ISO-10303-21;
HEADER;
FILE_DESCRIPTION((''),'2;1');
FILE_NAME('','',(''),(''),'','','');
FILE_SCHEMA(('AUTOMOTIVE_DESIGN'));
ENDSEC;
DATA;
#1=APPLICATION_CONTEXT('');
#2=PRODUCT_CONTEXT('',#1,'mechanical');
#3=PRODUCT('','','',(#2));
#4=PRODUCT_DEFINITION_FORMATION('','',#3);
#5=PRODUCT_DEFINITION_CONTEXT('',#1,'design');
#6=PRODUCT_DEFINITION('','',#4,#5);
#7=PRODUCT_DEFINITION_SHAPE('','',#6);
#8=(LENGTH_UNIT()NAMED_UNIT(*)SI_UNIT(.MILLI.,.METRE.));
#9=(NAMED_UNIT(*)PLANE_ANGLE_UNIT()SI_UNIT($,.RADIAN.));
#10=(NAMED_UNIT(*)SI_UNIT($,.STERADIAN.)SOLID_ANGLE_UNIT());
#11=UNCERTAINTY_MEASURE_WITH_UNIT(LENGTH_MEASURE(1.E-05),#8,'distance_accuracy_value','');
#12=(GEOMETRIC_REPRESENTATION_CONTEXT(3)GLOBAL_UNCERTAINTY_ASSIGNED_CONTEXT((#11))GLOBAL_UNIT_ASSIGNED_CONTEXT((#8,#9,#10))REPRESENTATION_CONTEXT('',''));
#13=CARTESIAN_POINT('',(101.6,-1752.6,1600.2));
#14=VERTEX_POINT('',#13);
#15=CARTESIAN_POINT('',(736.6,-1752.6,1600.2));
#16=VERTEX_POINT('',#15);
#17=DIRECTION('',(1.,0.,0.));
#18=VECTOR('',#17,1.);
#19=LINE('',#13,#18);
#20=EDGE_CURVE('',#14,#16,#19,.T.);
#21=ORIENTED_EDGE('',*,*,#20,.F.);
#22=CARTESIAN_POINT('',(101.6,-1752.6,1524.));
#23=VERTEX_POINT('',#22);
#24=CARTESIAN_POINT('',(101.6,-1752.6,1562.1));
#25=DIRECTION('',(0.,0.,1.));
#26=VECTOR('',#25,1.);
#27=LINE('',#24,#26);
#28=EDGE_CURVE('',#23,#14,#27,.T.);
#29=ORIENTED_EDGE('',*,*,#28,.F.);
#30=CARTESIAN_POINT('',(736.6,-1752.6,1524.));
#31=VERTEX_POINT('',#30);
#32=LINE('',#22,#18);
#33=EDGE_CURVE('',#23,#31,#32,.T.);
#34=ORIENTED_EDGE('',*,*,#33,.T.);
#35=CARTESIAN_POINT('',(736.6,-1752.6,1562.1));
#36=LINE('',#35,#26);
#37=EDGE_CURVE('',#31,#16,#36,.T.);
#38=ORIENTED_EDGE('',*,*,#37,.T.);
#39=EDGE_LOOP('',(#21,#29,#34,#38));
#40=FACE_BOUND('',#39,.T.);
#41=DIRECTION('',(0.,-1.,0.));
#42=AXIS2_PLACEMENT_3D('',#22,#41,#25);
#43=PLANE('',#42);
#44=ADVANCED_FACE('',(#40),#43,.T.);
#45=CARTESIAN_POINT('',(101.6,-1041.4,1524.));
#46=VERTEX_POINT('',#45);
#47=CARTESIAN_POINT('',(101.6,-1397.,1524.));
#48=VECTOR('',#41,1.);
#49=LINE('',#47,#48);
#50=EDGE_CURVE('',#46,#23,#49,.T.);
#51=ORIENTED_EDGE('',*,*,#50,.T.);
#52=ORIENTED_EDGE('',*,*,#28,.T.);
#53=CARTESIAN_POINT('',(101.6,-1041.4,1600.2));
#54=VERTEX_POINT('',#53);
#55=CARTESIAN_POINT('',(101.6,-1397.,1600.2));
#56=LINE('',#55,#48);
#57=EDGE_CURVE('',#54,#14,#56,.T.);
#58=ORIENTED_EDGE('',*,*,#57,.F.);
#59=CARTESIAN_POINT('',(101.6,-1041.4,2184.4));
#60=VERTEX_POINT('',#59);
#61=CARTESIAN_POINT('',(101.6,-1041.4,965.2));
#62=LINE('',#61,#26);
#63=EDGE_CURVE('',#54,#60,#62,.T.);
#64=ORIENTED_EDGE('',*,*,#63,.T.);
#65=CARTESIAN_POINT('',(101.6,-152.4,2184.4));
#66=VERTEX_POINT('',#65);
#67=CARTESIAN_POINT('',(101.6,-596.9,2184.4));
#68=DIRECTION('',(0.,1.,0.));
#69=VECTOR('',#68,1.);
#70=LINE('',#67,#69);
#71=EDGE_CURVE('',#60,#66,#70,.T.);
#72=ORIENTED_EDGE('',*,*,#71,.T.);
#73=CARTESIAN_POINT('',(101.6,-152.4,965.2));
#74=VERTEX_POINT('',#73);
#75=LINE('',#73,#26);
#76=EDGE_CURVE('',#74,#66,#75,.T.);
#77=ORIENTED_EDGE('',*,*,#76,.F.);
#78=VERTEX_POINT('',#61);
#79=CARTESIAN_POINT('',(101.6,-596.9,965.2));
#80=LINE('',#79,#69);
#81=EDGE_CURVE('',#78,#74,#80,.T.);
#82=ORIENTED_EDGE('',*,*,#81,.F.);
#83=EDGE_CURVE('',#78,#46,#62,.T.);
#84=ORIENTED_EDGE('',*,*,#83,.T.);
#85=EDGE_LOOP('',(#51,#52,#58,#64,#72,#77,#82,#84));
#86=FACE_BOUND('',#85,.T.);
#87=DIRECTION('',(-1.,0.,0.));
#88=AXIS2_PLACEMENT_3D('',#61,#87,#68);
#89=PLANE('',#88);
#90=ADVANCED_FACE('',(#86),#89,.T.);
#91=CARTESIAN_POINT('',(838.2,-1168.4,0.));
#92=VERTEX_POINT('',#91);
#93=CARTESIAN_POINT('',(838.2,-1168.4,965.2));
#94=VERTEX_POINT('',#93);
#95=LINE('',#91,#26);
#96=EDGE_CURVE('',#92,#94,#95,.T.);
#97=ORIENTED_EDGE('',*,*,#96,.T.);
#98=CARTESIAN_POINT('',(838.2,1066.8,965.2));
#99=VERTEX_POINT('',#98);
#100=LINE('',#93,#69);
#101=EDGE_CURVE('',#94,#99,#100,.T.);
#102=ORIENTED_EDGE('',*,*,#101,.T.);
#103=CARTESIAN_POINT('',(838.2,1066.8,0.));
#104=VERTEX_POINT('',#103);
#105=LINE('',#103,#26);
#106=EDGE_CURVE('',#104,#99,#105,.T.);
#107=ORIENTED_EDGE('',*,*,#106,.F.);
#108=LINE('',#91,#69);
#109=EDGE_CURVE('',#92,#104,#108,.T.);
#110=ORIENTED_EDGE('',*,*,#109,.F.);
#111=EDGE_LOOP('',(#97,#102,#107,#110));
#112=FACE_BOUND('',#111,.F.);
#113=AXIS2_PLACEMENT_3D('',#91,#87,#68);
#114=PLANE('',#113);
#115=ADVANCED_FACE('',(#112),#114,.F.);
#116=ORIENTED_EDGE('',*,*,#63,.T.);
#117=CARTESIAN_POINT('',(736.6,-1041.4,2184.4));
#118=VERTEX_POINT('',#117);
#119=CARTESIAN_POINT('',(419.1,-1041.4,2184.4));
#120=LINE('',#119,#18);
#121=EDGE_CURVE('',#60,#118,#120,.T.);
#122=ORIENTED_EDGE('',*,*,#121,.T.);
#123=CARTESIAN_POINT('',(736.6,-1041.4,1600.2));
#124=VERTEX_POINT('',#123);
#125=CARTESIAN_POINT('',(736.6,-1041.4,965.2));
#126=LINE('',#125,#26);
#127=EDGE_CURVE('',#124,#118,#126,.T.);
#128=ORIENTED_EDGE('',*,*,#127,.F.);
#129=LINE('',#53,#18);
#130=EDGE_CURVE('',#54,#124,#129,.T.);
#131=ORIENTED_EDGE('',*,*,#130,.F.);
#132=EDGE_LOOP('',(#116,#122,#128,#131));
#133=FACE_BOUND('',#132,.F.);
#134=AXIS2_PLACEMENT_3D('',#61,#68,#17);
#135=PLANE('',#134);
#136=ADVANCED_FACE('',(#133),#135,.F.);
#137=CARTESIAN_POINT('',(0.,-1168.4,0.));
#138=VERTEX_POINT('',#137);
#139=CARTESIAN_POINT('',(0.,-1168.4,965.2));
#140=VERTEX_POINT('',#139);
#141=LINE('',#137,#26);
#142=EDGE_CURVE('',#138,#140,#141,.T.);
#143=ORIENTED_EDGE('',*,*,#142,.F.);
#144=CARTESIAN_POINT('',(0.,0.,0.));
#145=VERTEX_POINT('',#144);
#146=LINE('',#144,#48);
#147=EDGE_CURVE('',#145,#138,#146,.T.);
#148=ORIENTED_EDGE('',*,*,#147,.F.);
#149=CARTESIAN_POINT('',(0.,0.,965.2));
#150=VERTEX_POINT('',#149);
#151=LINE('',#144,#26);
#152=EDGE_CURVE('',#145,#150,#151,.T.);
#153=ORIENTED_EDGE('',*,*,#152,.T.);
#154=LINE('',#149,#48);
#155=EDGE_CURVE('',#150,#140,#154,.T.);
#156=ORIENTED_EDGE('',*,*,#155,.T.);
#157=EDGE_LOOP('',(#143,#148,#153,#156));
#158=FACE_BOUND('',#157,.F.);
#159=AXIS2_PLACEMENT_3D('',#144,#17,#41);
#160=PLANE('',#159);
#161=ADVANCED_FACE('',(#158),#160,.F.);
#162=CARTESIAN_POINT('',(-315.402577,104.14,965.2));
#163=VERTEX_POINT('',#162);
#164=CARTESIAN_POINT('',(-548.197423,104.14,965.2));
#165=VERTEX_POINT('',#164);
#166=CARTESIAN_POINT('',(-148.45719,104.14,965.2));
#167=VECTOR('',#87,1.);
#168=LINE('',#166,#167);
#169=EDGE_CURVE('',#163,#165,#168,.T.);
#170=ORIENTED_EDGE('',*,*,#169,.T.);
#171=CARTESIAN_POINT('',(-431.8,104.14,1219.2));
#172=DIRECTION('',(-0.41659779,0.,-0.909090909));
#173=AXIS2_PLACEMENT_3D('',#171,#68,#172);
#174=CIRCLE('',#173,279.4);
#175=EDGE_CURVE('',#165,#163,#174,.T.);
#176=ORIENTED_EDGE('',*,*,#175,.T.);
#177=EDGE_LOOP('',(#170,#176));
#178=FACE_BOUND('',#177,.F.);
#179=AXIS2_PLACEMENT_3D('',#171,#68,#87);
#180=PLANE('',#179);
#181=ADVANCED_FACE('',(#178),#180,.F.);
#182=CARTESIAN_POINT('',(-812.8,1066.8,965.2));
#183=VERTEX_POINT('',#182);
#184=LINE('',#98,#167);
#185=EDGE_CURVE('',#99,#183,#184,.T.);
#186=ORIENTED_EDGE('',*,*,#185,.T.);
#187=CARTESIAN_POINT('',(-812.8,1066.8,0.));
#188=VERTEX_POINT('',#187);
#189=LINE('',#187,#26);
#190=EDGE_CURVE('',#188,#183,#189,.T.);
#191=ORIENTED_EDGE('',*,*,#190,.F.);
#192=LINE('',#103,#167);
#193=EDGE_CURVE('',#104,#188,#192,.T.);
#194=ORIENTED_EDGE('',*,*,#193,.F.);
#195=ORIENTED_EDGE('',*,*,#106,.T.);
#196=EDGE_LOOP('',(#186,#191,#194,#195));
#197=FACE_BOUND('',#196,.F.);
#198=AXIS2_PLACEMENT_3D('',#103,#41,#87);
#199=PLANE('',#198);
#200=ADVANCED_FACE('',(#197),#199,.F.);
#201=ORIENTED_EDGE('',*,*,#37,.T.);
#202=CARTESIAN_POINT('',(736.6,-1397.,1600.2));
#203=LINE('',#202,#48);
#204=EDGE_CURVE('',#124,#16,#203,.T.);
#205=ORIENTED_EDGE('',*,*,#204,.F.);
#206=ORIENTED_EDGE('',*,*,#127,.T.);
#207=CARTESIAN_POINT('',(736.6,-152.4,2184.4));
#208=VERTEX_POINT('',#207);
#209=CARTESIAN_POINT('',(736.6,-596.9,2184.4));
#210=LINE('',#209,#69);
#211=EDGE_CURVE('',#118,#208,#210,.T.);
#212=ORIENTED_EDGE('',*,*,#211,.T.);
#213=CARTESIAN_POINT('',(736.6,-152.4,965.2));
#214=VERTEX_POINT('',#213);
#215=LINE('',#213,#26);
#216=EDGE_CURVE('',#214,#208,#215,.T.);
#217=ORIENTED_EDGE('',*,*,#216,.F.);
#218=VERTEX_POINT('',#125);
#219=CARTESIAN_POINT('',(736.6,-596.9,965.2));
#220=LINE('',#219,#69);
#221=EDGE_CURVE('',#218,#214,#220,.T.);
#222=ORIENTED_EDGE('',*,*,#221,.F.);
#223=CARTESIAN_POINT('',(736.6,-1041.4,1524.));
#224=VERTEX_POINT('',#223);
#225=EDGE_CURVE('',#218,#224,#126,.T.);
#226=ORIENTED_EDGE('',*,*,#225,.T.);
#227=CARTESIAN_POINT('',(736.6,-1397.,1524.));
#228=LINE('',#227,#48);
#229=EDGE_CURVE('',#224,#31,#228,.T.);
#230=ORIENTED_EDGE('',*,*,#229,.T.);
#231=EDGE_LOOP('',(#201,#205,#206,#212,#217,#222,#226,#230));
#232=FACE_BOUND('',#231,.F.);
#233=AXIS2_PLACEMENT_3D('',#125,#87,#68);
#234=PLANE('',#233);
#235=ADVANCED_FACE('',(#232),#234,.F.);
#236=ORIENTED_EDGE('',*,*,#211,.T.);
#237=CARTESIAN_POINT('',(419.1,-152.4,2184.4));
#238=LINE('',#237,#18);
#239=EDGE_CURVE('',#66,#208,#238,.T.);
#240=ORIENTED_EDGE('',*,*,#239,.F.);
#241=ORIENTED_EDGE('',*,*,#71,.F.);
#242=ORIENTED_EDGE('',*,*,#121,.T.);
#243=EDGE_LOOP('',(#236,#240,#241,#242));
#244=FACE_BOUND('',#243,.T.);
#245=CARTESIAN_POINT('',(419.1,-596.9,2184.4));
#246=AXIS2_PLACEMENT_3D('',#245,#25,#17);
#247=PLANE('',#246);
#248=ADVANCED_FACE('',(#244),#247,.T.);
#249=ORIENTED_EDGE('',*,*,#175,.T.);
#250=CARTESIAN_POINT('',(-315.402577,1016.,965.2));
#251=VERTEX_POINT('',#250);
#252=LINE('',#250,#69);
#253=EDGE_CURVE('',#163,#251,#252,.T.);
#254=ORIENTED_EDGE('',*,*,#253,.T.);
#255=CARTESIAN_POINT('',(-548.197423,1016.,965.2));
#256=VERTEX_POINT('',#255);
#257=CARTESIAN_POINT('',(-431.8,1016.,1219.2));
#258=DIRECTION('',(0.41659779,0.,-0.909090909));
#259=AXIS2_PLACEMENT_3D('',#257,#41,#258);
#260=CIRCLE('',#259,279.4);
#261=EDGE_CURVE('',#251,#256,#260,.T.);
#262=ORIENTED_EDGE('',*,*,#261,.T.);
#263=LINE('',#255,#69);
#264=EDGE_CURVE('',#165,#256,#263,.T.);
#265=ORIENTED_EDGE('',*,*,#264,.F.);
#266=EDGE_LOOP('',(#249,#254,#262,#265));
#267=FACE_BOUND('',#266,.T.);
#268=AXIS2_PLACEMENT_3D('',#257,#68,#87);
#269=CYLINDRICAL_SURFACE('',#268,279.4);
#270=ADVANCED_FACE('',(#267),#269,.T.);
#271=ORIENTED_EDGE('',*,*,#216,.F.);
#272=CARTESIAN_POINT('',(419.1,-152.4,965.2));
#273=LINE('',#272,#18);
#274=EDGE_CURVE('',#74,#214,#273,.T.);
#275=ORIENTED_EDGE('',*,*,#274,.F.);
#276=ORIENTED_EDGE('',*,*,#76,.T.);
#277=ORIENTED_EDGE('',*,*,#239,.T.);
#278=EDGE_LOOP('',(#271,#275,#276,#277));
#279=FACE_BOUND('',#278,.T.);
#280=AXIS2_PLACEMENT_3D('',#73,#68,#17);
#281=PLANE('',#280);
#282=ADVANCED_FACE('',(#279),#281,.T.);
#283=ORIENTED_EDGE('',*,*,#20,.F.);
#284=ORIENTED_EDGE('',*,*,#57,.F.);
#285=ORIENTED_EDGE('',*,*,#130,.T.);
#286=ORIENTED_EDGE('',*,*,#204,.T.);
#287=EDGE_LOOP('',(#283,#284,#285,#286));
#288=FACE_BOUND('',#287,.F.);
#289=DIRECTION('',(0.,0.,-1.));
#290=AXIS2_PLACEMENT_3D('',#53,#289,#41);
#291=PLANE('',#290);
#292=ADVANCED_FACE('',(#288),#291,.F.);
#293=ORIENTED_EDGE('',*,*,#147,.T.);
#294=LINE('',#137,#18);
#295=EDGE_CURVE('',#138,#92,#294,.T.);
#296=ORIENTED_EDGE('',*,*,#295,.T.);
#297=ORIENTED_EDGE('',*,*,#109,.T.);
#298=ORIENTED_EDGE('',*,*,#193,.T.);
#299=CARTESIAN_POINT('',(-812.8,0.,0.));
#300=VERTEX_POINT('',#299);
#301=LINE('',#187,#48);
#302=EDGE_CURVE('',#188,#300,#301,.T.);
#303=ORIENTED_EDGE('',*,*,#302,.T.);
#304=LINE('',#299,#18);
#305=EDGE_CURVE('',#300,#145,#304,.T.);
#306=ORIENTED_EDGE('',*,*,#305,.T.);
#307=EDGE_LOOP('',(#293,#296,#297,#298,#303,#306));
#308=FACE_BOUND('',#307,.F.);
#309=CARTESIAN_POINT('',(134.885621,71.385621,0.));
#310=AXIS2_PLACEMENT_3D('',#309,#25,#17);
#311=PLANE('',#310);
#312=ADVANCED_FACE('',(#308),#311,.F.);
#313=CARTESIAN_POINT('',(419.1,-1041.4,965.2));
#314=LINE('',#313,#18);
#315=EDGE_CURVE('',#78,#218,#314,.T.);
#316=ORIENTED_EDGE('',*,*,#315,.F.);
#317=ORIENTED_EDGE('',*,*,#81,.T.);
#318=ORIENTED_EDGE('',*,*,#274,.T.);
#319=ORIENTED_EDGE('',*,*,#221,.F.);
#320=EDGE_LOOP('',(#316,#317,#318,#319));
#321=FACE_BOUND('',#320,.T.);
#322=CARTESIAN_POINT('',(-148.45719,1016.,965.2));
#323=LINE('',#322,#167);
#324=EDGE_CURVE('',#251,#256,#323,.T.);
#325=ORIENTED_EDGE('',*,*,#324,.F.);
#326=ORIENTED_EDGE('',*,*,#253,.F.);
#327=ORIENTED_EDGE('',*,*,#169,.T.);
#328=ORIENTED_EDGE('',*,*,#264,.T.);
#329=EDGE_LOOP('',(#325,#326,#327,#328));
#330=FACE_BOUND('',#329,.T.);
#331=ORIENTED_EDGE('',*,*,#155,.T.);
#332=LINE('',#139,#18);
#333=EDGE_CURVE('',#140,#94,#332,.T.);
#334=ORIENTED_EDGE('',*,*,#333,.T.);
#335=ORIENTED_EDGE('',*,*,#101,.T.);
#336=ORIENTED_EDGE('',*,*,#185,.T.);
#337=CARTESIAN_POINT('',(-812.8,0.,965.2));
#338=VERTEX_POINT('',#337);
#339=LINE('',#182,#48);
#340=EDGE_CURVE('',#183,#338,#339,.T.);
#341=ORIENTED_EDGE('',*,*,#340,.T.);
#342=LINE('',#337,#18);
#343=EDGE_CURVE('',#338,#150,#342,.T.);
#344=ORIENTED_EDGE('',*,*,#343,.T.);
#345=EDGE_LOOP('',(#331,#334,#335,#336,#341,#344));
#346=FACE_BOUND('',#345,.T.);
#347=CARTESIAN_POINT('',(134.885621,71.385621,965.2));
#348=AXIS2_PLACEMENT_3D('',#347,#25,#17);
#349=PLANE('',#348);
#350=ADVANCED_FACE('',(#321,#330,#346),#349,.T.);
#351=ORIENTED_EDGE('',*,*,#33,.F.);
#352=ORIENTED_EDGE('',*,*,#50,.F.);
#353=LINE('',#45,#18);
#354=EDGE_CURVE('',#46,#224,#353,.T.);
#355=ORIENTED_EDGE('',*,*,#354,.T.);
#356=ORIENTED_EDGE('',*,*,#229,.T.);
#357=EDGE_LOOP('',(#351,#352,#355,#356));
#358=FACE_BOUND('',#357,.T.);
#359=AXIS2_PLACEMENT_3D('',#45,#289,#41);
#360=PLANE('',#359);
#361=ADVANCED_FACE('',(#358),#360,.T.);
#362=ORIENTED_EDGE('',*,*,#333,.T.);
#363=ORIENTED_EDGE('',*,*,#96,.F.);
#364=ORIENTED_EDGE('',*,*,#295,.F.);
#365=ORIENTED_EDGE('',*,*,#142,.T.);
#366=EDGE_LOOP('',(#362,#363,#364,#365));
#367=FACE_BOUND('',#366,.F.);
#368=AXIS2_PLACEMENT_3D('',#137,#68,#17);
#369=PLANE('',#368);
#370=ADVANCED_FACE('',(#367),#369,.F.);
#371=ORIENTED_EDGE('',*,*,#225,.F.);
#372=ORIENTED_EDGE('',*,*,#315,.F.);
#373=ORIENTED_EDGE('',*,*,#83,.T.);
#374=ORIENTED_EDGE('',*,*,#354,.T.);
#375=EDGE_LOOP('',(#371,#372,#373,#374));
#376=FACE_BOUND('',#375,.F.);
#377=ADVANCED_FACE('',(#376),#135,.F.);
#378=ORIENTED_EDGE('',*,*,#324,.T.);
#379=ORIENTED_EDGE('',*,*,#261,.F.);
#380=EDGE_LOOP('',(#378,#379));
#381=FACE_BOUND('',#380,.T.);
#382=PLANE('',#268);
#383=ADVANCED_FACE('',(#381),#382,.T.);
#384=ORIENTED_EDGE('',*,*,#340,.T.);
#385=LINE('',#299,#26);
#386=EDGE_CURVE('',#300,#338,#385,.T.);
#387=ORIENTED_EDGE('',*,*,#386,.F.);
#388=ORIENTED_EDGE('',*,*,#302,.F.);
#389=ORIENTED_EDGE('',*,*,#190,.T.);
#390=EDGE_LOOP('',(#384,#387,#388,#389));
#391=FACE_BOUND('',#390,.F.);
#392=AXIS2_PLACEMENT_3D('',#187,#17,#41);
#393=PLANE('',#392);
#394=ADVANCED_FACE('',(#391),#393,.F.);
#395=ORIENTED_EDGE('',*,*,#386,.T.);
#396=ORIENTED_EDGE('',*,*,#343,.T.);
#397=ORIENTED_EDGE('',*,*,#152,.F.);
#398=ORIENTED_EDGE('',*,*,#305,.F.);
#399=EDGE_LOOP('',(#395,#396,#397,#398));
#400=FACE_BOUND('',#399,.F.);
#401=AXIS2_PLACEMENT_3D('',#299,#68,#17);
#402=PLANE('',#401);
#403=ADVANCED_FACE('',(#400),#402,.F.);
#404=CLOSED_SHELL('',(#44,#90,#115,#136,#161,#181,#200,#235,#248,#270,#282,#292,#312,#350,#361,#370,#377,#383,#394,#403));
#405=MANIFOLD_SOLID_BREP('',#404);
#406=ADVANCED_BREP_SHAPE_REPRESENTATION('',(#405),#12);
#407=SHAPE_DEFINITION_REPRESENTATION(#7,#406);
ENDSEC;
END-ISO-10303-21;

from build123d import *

# Parameters (mm, degrees)
F1_DEPTH = 965.2
F3_R     = 279.4
F4_DEPTH = 911.86
F5_W     = 635
F5_H     = 889
F6_DEPTH = 1219.2
F7_W     = 711.2
F7_H     = 76.2
F8_DEPTH = 635


with BuildPart() as f1:
    # F0 (on Top) → F1 (new body)
    with BuildSketch(Plane.XY):
        Polygon((-812.8, 0), (0, 0), (0, -1168.4), (838.2, -1168.4), (838.2, 1066.8), (-812.8, 1066.8), align=None)
    extrude(amount=F1_DEPTH)

    # F3 (on offset) → F4 (join)
    with BuildSketch(Plane(origin=(0, 1016, 0), x_dir=(-1, 0, 0), z_dir=(0, 1, 0))):
        with Locations((431.8, 1219.2)):
            Circle(F3_R)
    extrude(amount=-F4_DEPTH)

    # F5 (on face) → F6 (join)
    with BuildSketch(Plane.XY.offset(965.2)):
        with Locations((419.1, -596.9)):
            Rectangle(F5_W, F5_H)
    extrude(amount=F6_DEPTH)

    # F7 (on face) → F8 (join, through all)
    with BuildSketch(Plane(origin=(101.6, 0, 0), x_dir=(0, -1, 0), z_dir=(-1, 0, 0))):
        with Locations((1397, 1562.1)):
            Rectangle(F7_W, F7_H)
    extrude(amount=-F8_DEPTH)


solid = f1.part
